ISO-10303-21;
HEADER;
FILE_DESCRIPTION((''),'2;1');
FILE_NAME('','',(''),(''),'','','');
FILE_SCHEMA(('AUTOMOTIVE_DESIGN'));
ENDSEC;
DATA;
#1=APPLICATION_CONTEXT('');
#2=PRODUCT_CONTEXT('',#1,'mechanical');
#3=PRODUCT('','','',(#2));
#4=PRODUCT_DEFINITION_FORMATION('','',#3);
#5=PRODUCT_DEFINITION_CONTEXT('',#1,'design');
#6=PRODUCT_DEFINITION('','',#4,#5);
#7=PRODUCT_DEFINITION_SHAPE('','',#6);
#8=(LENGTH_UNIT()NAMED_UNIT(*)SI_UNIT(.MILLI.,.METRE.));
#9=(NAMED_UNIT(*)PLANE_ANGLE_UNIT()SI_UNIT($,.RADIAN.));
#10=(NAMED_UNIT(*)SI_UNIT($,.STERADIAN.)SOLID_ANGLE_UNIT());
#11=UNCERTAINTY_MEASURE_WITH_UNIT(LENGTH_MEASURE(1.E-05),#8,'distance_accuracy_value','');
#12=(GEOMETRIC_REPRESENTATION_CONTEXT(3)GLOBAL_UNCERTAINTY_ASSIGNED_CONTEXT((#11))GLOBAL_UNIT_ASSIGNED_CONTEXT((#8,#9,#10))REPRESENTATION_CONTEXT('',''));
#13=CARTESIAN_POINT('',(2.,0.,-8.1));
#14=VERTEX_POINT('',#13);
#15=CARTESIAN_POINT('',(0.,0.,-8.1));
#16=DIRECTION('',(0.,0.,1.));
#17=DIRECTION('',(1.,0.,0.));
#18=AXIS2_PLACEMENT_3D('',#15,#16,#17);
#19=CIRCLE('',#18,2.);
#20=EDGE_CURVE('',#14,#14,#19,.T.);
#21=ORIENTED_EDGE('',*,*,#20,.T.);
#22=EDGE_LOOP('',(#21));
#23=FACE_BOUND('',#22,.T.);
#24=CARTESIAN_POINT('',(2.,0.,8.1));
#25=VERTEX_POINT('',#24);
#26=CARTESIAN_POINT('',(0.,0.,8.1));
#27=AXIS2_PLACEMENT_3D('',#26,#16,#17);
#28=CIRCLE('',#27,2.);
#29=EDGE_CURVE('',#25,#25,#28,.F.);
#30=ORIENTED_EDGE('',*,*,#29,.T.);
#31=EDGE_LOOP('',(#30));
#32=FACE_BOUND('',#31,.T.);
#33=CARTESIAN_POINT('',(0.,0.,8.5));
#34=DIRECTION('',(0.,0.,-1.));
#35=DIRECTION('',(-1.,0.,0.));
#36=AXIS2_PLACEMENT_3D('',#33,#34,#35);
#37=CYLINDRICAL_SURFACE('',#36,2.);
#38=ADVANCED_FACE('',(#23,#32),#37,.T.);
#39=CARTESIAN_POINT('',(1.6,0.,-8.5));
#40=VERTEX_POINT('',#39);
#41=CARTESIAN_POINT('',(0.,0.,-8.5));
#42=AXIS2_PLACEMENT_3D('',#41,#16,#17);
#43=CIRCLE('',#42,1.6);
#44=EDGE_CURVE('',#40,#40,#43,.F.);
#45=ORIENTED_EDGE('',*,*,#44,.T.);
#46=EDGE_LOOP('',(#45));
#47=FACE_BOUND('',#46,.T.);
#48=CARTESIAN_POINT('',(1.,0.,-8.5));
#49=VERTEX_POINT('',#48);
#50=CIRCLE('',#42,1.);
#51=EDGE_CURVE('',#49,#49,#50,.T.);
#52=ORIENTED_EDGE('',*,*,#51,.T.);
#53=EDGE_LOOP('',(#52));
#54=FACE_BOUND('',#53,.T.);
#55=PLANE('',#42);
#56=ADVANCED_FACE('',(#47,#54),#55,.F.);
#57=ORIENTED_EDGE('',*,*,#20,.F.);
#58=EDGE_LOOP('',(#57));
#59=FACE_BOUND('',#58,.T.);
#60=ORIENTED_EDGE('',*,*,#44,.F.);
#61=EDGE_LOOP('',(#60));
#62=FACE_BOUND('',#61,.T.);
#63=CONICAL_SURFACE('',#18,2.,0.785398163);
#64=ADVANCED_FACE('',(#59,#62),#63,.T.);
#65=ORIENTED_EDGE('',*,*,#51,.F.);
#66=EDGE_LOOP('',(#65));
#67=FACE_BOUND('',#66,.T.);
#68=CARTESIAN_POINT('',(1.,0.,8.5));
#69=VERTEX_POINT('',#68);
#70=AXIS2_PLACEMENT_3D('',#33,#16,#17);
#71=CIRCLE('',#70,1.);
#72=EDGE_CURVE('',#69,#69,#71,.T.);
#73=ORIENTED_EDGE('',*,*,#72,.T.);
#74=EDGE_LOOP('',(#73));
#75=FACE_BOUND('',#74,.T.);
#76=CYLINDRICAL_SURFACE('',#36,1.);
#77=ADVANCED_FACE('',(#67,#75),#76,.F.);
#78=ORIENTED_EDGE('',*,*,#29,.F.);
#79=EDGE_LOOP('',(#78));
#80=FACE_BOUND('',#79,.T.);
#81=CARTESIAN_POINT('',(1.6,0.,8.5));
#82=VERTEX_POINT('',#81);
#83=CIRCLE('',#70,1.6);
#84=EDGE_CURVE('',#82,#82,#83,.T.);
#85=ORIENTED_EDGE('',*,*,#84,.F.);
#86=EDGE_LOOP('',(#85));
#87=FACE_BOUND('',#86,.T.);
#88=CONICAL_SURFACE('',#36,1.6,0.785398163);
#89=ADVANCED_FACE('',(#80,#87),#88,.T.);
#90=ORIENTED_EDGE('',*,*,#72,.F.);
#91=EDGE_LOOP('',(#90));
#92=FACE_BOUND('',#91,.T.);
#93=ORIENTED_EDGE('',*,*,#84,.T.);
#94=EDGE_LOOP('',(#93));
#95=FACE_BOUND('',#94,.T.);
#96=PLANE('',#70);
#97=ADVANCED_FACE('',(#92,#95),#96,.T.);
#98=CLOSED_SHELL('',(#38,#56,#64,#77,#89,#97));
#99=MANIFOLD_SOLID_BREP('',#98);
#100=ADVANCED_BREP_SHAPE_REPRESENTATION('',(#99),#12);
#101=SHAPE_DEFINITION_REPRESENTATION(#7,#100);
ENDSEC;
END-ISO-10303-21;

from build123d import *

# Parameters (mm, degrees)
ESQUISSE1_R          = 2
ESQUISSE1_R_2        = 1
BASE_EXTRUSION_DEPTH = 8.5
CHANFREIN2_SIZE      = 0.4


with BuildPart() as part:
    # Esquisse1 → Base-Extrusion (new, symmetric)
    with BuildSketch(Plane.XY):
        Circle(ESQUISSE1_R)
        Circle(ESQUISSE1_R_2, mode=Mode.SUBTRACT)
    extrude(amount=BASE_EXTRUSION_DEPTH, both=True)

    # Chanfrein2
    chanfrein2_edges = [part.edges().sort_by_distance(p)[0] for p in [
        (-2, 0, -8.5),
        (-2, 0, 8.5),
    ]]
    chamfer(chanfrein2_edges, length=CHANFREIN2_SIZE)


solid = part.part
